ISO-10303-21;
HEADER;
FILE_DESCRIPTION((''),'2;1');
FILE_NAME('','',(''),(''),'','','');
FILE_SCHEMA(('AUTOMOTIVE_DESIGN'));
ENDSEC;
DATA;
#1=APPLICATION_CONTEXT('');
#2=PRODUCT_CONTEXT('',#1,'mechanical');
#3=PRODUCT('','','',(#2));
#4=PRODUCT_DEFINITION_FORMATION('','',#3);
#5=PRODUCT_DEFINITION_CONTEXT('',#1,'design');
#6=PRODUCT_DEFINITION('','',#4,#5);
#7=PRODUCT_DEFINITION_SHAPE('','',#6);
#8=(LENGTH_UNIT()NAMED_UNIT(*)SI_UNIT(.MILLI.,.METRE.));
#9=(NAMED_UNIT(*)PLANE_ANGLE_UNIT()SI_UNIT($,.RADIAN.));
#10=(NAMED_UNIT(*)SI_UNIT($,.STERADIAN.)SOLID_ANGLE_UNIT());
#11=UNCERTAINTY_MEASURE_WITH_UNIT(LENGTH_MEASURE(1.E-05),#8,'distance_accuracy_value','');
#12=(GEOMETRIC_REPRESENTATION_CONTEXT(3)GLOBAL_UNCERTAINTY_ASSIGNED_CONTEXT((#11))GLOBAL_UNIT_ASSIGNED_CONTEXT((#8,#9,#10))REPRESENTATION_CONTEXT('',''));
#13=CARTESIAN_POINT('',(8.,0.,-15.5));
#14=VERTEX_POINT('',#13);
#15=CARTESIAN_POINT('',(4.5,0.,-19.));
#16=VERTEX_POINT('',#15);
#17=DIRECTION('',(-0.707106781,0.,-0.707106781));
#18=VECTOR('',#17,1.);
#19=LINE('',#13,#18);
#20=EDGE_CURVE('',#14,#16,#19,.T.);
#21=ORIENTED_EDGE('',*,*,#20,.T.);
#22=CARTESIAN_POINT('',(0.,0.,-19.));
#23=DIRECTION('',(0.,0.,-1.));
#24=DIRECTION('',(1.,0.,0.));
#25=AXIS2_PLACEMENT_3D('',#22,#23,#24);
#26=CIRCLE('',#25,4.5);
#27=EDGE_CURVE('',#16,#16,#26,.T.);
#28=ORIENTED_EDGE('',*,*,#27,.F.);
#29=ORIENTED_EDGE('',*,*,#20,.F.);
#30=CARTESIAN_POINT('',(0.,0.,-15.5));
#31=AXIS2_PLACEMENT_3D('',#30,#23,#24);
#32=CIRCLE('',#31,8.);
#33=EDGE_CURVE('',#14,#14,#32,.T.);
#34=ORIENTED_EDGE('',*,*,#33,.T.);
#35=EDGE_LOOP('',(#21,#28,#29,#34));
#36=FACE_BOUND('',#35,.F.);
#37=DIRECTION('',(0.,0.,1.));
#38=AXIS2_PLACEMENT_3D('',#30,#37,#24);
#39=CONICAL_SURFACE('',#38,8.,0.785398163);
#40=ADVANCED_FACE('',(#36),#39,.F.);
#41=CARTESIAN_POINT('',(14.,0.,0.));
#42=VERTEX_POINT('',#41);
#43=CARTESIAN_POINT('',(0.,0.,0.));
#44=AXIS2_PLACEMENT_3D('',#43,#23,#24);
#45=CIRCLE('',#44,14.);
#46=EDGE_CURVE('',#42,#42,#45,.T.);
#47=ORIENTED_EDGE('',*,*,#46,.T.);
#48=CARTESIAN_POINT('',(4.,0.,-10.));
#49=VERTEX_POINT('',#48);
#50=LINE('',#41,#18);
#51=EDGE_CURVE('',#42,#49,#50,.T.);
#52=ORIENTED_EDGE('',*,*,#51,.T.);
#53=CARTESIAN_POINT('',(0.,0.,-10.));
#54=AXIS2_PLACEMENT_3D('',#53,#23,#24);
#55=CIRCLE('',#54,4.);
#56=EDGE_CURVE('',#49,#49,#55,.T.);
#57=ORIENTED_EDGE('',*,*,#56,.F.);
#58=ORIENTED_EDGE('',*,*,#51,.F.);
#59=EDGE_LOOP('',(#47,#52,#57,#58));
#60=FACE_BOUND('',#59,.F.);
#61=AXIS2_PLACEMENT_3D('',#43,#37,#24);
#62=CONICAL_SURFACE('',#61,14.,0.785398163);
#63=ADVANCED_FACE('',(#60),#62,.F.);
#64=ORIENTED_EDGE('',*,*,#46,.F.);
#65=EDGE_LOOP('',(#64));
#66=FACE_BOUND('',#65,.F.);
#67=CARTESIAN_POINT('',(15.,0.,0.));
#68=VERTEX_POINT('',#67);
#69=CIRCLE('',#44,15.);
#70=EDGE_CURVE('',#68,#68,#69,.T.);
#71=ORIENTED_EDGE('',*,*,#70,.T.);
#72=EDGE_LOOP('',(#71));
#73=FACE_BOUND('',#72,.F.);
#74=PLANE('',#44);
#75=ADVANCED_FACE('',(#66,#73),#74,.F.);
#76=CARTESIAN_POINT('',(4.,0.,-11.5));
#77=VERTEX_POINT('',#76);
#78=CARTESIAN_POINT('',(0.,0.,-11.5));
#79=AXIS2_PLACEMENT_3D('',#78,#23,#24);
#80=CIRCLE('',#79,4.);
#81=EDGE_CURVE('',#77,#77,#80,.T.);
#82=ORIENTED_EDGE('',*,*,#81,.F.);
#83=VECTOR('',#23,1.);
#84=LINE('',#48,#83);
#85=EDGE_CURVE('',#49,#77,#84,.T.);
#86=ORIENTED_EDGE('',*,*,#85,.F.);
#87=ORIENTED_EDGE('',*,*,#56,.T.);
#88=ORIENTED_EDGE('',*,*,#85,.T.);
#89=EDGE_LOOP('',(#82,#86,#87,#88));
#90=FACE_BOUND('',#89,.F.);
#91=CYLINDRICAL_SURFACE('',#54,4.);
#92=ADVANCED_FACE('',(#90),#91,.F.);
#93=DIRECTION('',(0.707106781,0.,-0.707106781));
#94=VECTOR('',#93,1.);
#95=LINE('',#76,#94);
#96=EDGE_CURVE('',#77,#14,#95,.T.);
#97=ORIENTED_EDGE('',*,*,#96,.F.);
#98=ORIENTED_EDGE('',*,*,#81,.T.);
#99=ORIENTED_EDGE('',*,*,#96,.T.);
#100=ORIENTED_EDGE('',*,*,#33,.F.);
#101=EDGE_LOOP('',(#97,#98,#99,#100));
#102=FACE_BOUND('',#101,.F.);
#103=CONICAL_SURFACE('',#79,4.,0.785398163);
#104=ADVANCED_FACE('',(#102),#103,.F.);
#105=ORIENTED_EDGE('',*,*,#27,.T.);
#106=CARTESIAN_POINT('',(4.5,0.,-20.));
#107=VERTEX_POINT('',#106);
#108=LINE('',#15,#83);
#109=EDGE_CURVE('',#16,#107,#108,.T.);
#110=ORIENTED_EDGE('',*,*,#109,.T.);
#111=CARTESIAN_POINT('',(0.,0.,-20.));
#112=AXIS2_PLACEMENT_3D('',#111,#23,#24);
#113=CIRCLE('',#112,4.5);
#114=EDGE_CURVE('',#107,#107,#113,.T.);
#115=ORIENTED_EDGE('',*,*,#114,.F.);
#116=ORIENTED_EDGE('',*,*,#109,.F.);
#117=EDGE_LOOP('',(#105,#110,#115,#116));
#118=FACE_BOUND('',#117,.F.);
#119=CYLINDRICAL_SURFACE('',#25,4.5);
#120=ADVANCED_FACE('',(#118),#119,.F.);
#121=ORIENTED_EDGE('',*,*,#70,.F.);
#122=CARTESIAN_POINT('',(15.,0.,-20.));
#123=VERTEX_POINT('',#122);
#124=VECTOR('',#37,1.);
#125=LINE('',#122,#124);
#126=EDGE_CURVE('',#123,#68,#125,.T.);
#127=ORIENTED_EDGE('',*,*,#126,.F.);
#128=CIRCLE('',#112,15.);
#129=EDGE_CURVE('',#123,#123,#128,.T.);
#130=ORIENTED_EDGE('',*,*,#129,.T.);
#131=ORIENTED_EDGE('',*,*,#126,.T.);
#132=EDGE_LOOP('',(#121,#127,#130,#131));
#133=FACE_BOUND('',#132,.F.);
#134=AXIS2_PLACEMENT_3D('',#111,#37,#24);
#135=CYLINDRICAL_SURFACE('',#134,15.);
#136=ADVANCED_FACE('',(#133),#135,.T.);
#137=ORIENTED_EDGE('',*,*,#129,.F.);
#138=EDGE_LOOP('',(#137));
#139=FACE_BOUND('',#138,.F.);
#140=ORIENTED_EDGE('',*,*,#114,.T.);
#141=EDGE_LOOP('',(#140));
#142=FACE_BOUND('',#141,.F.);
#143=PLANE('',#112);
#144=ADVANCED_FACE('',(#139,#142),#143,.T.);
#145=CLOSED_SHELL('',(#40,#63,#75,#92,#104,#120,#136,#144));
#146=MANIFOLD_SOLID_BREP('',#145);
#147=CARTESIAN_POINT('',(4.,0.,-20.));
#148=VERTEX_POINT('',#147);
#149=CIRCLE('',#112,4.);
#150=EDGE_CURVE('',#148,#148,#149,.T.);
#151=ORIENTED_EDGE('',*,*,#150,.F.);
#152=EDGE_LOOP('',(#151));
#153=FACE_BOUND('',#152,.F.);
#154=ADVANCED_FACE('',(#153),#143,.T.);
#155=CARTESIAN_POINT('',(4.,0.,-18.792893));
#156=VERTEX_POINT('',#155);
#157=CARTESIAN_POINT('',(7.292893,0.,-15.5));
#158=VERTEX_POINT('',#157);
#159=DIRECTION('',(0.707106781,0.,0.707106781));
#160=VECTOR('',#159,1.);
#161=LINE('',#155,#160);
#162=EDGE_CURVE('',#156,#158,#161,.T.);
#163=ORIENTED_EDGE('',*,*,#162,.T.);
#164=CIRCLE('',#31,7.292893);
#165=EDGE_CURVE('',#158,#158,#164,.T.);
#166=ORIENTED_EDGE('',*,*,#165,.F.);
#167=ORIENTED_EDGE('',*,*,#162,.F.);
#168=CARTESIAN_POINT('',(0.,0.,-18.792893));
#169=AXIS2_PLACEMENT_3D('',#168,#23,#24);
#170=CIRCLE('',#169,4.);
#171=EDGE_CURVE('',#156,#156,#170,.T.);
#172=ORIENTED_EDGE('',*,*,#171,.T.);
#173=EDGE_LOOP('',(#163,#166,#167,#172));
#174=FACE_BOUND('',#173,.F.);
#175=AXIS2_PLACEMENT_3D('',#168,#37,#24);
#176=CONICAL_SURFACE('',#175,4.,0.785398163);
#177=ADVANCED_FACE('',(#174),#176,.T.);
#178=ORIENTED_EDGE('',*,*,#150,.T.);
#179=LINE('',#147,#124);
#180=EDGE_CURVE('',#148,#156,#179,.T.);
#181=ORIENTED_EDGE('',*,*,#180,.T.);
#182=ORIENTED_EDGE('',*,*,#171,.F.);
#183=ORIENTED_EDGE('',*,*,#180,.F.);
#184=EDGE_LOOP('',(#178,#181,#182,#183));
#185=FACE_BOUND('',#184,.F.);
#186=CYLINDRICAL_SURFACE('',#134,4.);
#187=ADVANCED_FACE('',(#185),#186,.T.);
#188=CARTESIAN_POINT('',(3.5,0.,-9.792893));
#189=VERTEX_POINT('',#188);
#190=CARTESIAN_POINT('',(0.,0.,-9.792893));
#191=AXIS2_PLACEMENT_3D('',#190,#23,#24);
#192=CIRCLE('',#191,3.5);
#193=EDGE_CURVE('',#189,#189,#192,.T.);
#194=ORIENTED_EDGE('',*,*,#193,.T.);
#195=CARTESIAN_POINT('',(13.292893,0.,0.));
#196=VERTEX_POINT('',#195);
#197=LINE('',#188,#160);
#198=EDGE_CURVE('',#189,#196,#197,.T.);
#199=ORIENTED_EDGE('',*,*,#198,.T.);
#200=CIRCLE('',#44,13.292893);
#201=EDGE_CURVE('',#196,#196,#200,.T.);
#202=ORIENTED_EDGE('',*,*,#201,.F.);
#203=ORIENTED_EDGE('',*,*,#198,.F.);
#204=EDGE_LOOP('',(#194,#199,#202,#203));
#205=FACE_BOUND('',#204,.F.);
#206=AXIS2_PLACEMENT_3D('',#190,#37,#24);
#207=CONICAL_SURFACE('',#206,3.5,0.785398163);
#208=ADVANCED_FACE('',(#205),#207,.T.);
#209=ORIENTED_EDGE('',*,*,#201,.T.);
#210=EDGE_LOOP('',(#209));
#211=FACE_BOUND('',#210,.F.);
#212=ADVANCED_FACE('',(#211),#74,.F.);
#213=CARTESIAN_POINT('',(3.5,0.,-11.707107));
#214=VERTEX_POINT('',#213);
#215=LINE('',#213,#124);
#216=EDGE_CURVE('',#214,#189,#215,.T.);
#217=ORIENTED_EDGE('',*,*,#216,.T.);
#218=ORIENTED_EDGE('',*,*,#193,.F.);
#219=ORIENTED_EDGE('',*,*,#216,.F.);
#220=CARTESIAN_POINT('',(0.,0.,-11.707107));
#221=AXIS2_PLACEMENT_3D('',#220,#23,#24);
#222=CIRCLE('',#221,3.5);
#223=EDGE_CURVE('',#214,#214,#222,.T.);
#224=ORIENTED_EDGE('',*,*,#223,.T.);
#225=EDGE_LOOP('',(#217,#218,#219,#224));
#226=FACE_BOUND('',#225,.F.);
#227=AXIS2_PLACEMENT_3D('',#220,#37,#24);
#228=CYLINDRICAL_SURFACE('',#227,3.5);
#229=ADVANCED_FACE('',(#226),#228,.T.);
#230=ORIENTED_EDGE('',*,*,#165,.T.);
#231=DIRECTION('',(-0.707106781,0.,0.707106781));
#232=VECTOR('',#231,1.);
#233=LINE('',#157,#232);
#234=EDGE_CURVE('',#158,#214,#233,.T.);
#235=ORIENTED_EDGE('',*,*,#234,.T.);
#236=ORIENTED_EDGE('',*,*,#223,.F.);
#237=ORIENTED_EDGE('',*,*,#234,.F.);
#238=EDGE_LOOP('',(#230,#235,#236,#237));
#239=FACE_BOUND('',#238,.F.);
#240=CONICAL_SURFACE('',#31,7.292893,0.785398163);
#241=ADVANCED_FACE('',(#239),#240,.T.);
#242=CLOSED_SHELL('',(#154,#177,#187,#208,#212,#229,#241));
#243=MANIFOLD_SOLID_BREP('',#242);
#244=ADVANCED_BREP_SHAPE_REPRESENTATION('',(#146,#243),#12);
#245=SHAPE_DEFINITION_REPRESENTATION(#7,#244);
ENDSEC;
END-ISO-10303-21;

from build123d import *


with BuildPart() as f2:
    # F0 (on Front) + F1 (on Front) → F2 (revolve)
    with BuildSketch(Plane.XZ):
        Polygon((15, 0), (14, 0), (4, -10), (4, -11.5), (8, -15.5), (7, -16.5), (4.5, -19), (4.5, -20), (15, -20), align=None)
    with BuildSketch(Plane.XZ):
        Polygon((3.5, -11.707107), (3.5, -9.792893), (13.292893, 0), (0, 0), (0, -20), (4, -20), (4, -18.792893), (7.292893, -15.5), align=None)
    revolve(axis=Axis((0, 0, -10), (0, 0, -1)))


solid = f2.part
